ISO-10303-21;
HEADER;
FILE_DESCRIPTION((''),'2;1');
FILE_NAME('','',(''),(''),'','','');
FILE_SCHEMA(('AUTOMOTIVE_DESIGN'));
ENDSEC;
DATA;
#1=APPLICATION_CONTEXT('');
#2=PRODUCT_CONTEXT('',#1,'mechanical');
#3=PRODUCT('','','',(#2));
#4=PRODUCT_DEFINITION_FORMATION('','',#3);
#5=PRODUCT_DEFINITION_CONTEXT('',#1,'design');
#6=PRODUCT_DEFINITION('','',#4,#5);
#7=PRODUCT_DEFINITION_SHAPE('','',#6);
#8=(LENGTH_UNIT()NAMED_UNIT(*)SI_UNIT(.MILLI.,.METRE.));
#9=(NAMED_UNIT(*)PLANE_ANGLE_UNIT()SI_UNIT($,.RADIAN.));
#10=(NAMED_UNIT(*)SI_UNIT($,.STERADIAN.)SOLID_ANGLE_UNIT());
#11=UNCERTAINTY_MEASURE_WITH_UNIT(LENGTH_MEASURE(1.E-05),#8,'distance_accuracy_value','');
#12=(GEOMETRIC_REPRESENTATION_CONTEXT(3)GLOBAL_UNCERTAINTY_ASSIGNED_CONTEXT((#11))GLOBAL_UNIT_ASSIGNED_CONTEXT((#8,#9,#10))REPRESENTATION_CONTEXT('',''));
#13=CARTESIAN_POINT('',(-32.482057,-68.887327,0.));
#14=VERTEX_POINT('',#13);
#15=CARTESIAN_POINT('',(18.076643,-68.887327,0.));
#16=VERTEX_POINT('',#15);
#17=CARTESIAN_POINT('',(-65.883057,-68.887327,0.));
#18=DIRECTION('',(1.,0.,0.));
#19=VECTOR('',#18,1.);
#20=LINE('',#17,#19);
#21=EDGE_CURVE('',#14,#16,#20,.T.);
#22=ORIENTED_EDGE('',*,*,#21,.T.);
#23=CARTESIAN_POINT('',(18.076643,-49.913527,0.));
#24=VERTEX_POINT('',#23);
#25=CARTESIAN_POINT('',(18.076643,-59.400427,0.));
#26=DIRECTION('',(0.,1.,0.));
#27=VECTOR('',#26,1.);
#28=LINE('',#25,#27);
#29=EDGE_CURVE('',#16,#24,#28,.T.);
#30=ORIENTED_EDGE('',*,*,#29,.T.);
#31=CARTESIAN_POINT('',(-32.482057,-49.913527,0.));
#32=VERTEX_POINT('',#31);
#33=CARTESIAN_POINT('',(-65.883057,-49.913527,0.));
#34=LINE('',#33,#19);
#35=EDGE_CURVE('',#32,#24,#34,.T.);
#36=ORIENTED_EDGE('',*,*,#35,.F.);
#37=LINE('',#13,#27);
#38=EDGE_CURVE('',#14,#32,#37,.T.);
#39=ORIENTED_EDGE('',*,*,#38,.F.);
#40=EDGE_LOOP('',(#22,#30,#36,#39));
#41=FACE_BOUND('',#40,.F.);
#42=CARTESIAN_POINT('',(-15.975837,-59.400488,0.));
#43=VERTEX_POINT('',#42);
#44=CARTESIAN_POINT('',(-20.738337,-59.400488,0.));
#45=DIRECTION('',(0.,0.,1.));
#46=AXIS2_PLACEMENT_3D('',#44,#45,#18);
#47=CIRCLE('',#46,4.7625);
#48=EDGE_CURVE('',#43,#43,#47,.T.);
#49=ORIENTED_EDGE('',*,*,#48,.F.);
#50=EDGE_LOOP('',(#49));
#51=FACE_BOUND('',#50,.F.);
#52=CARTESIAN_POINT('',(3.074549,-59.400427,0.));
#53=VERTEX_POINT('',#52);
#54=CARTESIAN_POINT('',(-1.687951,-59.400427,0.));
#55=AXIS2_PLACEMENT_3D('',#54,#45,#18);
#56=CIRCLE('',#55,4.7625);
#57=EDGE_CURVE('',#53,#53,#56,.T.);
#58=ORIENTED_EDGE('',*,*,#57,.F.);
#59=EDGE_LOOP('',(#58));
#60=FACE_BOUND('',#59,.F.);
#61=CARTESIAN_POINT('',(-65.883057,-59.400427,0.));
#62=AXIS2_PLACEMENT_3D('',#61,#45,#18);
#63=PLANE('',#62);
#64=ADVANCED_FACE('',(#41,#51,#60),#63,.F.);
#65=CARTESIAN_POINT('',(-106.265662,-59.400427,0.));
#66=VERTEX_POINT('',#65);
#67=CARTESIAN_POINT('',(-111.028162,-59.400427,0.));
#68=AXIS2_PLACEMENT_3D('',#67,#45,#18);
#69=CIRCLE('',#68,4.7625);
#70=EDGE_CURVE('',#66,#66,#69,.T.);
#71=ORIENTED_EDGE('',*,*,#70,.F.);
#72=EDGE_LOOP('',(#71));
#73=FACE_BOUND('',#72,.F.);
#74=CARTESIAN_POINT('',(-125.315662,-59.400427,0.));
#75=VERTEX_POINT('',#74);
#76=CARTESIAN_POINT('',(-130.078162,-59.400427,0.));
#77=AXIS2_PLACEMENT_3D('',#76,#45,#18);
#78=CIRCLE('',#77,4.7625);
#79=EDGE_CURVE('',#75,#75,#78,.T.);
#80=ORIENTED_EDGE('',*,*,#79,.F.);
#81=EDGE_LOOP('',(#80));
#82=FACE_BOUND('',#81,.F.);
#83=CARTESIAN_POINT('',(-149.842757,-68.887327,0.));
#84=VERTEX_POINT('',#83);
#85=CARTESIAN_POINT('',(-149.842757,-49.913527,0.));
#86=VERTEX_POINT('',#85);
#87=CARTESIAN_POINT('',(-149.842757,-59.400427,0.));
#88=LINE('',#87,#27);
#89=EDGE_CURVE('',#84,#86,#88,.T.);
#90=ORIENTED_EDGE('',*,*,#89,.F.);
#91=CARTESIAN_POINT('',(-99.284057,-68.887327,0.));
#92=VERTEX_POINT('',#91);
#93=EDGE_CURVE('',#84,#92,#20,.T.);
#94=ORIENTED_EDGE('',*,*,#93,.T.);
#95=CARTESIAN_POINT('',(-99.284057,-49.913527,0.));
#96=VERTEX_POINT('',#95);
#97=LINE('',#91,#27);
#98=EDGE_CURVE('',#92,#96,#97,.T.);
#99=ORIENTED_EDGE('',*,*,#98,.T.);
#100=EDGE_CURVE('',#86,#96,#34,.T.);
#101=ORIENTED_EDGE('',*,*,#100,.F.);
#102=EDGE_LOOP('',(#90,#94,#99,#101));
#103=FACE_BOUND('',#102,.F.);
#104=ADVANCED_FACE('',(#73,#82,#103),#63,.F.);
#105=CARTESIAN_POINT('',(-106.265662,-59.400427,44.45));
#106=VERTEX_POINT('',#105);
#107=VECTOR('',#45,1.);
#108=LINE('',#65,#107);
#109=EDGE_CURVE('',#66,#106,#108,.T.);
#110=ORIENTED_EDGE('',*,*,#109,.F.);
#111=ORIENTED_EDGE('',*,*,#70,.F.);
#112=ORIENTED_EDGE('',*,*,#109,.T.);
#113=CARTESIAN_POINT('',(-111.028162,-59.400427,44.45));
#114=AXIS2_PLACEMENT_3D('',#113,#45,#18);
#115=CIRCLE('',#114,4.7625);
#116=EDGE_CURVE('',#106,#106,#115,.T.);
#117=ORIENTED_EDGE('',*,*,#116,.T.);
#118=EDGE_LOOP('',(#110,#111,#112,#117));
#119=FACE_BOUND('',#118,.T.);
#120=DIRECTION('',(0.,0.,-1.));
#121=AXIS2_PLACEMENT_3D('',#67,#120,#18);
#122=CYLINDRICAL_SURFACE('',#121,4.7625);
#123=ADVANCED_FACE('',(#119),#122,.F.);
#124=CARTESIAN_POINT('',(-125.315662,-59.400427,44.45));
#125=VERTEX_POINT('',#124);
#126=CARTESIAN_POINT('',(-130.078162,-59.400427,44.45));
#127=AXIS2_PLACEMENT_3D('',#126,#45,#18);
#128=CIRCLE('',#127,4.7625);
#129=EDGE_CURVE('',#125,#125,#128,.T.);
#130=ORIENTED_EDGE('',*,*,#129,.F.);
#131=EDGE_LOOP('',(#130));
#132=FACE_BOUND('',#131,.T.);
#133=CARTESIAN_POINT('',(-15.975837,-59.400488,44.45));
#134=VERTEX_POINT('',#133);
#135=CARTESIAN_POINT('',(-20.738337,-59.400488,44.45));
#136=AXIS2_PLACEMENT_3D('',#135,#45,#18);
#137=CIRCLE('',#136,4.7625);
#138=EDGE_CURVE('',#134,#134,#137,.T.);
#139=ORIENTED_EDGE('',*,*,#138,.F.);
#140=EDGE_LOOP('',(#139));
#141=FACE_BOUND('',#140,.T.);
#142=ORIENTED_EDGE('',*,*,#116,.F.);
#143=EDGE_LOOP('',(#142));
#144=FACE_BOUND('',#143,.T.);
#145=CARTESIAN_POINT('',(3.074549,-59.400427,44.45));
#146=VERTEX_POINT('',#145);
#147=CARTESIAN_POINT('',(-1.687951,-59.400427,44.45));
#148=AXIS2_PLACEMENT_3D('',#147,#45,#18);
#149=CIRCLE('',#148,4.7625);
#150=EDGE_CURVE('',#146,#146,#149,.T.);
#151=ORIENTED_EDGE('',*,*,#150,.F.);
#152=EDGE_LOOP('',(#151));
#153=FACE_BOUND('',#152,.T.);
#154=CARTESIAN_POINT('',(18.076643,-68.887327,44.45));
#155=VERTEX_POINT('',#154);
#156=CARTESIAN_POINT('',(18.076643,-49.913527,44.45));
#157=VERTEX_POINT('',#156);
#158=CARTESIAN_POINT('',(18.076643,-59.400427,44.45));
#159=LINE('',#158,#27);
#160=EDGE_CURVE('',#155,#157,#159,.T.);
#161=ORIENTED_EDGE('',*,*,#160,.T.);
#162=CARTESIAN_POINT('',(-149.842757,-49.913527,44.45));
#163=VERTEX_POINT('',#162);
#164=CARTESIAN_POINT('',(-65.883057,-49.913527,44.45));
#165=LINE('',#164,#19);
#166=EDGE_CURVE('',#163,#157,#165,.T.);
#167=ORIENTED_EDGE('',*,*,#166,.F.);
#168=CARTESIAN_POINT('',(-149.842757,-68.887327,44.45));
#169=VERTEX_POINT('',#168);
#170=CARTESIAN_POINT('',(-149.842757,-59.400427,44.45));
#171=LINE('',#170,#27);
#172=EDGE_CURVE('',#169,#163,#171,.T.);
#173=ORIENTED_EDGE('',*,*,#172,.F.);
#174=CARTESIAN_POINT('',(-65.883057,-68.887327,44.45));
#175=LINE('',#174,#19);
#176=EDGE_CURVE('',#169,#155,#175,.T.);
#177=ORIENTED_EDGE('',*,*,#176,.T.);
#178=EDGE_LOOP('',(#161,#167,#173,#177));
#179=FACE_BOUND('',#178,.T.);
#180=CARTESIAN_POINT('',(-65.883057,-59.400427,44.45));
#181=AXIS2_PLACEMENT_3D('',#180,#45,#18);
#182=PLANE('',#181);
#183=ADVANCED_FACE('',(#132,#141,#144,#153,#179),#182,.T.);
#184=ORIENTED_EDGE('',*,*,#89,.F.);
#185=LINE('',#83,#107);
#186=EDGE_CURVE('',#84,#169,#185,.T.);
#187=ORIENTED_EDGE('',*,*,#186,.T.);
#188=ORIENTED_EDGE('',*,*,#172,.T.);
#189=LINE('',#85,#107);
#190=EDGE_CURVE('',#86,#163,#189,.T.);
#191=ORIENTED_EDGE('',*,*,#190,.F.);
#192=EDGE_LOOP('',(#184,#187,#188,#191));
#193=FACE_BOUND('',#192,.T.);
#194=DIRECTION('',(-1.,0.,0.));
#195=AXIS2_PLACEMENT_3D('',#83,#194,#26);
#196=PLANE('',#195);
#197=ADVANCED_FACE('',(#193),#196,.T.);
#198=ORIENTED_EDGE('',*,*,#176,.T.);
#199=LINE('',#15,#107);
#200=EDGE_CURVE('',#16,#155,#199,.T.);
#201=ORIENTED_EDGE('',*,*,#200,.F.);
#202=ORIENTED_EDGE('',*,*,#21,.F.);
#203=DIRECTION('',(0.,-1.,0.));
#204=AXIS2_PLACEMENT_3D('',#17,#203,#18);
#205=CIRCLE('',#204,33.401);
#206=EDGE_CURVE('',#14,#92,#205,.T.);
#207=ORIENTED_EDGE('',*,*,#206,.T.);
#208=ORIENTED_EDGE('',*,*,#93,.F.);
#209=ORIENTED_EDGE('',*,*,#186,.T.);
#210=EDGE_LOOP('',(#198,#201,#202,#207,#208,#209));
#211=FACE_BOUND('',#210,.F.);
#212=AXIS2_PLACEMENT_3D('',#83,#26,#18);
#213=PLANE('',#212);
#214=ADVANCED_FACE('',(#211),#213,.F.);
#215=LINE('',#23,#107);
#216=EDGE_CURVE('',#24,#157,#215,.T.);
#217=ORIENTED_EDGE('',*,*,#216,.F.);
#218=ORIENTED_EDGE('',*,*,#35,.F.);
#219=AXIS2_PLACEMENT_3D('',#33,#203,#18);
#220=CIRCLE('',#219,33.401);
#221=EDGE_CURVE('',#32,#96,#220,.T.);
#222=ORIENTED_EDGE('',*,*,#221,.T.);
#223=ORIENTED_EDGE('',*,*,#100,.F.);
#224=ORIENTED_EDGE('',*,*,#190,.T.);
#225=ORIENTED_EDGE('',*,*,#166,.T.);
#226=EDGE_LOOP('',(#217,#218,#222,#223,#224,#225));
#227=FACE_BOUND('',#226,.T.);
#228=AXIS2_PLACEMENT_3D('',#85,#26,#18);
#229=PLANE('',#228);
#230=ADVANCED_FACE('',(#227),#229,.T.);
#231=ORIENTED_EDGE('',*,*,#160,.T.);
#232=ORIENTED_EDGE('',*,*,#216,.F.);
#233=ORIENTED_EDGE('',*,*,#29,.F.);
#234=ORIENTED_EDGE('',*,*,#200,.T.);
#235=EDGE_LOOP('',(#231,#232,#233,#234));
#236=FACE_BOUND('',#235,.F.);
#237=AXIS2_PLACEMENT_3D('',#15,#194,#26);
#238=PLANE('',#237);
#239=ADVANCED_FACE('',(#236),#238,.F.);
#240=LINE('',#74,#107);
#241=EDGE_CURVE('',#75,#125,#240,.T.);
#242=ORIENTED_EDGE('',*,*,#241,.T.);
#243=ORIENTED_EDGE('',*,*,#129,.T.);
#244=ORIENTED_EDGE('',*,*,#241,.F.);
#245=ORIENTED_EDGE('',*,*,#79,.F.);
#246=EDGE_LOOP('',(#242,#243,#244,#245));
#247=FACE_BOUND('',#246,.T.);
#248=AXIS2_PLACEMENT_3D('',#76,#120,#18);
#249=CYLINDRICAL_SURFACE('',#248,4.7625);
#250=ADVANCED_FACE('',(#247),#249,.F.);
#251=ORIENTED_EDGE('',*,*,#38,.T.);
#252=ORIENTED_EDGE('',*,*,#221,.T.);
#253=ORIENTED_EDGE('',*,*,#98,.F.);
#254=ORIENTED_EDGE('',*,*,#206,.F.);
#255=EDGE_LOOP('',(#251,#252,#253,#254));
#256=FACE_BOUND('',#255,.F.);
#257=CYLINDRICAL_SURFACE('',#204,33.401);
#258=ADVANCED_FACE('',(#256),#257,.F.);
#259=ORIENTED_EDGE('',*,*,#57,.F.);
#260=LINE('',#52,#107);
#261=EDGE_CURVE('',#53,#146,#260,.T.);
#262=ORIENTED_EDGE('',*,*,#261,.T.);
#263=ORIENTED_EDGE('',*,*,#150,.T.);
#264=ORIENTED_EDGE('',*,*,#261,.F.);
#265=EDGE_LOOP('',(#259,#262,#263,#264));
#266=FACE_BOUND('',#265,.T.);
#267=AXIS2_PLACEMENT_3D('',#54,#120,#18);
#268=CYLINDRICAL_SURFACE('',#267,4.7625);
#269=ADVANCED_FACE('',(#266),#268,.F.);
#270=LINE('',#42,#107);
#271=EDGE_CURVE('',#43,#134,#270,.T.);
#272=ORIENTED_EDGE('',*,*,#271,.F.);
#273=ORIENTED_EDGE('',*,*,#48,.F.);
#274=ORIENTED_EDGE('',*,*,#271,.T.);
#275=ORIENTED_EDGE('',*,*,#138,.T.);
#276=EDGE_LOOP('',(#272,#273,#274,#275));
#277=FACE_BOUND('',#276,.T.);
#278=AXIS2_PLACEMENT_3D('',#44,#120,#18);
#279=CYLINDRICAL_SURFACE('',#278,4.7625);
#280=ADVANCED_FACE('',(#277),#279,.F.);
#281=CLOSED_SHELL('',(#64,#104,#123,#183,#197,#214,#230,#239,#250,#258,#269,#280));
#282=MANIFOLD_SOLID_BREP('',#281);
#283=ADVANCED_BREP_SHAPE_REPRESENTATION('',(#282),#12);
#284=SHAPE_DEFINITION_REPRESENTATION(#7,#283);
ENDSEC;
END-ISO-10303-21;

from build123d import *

# Parameters (mm, degrees)
F0_W     = 167.9194
F0_H     = 18.9738
F0_R     = 4.7625
F1_DEPTH = 44.45
F3_DEPTH = 25.4


with BuildPart() as f1:
    # F0 (on Top) → F1 (new body)
    with BuildSketch(Plane.XY):
        with Locations((-65.8830566523, -59.4004268664)):
            Rectangle(F0_W, F0_H)
        with Locations((-130.0781622228, -59.4004268664)):
            Circle(F0_R, mode=Mode.SUBTRACT)
        with Locations((-111.0281622228, -59.4004268664)):
            Circle(F0_R, mode=Mode.SUBTRACT)
        with Locations((-20.738337189, -59.4004876912)):
            Circle(F0_R, mode=Mode.SUBTRACT)
        with Locations((-1.6879510817, -59.4004268664)):
            Circle(F0_R, mode=Mode.SUBTRACT)
    extrude(amount=F1_DEPTH)

    # F2 (on face) → F3 (cut)
    with BuildSketch(Plane.XZ.offset(68.8873268664)):
        with BuildLine():
            Line((-99.2840566523, 0), (-32.4820566523, 0))
            ThreePointArc((-32.4820566523, 0), (-65.8830566523, 33.401), (-99.2840566523, 0))
        make_face()
    extrude(amount=-F3_DEPTH, mode=Mode.SUBTRACT)


solid = f1.part
